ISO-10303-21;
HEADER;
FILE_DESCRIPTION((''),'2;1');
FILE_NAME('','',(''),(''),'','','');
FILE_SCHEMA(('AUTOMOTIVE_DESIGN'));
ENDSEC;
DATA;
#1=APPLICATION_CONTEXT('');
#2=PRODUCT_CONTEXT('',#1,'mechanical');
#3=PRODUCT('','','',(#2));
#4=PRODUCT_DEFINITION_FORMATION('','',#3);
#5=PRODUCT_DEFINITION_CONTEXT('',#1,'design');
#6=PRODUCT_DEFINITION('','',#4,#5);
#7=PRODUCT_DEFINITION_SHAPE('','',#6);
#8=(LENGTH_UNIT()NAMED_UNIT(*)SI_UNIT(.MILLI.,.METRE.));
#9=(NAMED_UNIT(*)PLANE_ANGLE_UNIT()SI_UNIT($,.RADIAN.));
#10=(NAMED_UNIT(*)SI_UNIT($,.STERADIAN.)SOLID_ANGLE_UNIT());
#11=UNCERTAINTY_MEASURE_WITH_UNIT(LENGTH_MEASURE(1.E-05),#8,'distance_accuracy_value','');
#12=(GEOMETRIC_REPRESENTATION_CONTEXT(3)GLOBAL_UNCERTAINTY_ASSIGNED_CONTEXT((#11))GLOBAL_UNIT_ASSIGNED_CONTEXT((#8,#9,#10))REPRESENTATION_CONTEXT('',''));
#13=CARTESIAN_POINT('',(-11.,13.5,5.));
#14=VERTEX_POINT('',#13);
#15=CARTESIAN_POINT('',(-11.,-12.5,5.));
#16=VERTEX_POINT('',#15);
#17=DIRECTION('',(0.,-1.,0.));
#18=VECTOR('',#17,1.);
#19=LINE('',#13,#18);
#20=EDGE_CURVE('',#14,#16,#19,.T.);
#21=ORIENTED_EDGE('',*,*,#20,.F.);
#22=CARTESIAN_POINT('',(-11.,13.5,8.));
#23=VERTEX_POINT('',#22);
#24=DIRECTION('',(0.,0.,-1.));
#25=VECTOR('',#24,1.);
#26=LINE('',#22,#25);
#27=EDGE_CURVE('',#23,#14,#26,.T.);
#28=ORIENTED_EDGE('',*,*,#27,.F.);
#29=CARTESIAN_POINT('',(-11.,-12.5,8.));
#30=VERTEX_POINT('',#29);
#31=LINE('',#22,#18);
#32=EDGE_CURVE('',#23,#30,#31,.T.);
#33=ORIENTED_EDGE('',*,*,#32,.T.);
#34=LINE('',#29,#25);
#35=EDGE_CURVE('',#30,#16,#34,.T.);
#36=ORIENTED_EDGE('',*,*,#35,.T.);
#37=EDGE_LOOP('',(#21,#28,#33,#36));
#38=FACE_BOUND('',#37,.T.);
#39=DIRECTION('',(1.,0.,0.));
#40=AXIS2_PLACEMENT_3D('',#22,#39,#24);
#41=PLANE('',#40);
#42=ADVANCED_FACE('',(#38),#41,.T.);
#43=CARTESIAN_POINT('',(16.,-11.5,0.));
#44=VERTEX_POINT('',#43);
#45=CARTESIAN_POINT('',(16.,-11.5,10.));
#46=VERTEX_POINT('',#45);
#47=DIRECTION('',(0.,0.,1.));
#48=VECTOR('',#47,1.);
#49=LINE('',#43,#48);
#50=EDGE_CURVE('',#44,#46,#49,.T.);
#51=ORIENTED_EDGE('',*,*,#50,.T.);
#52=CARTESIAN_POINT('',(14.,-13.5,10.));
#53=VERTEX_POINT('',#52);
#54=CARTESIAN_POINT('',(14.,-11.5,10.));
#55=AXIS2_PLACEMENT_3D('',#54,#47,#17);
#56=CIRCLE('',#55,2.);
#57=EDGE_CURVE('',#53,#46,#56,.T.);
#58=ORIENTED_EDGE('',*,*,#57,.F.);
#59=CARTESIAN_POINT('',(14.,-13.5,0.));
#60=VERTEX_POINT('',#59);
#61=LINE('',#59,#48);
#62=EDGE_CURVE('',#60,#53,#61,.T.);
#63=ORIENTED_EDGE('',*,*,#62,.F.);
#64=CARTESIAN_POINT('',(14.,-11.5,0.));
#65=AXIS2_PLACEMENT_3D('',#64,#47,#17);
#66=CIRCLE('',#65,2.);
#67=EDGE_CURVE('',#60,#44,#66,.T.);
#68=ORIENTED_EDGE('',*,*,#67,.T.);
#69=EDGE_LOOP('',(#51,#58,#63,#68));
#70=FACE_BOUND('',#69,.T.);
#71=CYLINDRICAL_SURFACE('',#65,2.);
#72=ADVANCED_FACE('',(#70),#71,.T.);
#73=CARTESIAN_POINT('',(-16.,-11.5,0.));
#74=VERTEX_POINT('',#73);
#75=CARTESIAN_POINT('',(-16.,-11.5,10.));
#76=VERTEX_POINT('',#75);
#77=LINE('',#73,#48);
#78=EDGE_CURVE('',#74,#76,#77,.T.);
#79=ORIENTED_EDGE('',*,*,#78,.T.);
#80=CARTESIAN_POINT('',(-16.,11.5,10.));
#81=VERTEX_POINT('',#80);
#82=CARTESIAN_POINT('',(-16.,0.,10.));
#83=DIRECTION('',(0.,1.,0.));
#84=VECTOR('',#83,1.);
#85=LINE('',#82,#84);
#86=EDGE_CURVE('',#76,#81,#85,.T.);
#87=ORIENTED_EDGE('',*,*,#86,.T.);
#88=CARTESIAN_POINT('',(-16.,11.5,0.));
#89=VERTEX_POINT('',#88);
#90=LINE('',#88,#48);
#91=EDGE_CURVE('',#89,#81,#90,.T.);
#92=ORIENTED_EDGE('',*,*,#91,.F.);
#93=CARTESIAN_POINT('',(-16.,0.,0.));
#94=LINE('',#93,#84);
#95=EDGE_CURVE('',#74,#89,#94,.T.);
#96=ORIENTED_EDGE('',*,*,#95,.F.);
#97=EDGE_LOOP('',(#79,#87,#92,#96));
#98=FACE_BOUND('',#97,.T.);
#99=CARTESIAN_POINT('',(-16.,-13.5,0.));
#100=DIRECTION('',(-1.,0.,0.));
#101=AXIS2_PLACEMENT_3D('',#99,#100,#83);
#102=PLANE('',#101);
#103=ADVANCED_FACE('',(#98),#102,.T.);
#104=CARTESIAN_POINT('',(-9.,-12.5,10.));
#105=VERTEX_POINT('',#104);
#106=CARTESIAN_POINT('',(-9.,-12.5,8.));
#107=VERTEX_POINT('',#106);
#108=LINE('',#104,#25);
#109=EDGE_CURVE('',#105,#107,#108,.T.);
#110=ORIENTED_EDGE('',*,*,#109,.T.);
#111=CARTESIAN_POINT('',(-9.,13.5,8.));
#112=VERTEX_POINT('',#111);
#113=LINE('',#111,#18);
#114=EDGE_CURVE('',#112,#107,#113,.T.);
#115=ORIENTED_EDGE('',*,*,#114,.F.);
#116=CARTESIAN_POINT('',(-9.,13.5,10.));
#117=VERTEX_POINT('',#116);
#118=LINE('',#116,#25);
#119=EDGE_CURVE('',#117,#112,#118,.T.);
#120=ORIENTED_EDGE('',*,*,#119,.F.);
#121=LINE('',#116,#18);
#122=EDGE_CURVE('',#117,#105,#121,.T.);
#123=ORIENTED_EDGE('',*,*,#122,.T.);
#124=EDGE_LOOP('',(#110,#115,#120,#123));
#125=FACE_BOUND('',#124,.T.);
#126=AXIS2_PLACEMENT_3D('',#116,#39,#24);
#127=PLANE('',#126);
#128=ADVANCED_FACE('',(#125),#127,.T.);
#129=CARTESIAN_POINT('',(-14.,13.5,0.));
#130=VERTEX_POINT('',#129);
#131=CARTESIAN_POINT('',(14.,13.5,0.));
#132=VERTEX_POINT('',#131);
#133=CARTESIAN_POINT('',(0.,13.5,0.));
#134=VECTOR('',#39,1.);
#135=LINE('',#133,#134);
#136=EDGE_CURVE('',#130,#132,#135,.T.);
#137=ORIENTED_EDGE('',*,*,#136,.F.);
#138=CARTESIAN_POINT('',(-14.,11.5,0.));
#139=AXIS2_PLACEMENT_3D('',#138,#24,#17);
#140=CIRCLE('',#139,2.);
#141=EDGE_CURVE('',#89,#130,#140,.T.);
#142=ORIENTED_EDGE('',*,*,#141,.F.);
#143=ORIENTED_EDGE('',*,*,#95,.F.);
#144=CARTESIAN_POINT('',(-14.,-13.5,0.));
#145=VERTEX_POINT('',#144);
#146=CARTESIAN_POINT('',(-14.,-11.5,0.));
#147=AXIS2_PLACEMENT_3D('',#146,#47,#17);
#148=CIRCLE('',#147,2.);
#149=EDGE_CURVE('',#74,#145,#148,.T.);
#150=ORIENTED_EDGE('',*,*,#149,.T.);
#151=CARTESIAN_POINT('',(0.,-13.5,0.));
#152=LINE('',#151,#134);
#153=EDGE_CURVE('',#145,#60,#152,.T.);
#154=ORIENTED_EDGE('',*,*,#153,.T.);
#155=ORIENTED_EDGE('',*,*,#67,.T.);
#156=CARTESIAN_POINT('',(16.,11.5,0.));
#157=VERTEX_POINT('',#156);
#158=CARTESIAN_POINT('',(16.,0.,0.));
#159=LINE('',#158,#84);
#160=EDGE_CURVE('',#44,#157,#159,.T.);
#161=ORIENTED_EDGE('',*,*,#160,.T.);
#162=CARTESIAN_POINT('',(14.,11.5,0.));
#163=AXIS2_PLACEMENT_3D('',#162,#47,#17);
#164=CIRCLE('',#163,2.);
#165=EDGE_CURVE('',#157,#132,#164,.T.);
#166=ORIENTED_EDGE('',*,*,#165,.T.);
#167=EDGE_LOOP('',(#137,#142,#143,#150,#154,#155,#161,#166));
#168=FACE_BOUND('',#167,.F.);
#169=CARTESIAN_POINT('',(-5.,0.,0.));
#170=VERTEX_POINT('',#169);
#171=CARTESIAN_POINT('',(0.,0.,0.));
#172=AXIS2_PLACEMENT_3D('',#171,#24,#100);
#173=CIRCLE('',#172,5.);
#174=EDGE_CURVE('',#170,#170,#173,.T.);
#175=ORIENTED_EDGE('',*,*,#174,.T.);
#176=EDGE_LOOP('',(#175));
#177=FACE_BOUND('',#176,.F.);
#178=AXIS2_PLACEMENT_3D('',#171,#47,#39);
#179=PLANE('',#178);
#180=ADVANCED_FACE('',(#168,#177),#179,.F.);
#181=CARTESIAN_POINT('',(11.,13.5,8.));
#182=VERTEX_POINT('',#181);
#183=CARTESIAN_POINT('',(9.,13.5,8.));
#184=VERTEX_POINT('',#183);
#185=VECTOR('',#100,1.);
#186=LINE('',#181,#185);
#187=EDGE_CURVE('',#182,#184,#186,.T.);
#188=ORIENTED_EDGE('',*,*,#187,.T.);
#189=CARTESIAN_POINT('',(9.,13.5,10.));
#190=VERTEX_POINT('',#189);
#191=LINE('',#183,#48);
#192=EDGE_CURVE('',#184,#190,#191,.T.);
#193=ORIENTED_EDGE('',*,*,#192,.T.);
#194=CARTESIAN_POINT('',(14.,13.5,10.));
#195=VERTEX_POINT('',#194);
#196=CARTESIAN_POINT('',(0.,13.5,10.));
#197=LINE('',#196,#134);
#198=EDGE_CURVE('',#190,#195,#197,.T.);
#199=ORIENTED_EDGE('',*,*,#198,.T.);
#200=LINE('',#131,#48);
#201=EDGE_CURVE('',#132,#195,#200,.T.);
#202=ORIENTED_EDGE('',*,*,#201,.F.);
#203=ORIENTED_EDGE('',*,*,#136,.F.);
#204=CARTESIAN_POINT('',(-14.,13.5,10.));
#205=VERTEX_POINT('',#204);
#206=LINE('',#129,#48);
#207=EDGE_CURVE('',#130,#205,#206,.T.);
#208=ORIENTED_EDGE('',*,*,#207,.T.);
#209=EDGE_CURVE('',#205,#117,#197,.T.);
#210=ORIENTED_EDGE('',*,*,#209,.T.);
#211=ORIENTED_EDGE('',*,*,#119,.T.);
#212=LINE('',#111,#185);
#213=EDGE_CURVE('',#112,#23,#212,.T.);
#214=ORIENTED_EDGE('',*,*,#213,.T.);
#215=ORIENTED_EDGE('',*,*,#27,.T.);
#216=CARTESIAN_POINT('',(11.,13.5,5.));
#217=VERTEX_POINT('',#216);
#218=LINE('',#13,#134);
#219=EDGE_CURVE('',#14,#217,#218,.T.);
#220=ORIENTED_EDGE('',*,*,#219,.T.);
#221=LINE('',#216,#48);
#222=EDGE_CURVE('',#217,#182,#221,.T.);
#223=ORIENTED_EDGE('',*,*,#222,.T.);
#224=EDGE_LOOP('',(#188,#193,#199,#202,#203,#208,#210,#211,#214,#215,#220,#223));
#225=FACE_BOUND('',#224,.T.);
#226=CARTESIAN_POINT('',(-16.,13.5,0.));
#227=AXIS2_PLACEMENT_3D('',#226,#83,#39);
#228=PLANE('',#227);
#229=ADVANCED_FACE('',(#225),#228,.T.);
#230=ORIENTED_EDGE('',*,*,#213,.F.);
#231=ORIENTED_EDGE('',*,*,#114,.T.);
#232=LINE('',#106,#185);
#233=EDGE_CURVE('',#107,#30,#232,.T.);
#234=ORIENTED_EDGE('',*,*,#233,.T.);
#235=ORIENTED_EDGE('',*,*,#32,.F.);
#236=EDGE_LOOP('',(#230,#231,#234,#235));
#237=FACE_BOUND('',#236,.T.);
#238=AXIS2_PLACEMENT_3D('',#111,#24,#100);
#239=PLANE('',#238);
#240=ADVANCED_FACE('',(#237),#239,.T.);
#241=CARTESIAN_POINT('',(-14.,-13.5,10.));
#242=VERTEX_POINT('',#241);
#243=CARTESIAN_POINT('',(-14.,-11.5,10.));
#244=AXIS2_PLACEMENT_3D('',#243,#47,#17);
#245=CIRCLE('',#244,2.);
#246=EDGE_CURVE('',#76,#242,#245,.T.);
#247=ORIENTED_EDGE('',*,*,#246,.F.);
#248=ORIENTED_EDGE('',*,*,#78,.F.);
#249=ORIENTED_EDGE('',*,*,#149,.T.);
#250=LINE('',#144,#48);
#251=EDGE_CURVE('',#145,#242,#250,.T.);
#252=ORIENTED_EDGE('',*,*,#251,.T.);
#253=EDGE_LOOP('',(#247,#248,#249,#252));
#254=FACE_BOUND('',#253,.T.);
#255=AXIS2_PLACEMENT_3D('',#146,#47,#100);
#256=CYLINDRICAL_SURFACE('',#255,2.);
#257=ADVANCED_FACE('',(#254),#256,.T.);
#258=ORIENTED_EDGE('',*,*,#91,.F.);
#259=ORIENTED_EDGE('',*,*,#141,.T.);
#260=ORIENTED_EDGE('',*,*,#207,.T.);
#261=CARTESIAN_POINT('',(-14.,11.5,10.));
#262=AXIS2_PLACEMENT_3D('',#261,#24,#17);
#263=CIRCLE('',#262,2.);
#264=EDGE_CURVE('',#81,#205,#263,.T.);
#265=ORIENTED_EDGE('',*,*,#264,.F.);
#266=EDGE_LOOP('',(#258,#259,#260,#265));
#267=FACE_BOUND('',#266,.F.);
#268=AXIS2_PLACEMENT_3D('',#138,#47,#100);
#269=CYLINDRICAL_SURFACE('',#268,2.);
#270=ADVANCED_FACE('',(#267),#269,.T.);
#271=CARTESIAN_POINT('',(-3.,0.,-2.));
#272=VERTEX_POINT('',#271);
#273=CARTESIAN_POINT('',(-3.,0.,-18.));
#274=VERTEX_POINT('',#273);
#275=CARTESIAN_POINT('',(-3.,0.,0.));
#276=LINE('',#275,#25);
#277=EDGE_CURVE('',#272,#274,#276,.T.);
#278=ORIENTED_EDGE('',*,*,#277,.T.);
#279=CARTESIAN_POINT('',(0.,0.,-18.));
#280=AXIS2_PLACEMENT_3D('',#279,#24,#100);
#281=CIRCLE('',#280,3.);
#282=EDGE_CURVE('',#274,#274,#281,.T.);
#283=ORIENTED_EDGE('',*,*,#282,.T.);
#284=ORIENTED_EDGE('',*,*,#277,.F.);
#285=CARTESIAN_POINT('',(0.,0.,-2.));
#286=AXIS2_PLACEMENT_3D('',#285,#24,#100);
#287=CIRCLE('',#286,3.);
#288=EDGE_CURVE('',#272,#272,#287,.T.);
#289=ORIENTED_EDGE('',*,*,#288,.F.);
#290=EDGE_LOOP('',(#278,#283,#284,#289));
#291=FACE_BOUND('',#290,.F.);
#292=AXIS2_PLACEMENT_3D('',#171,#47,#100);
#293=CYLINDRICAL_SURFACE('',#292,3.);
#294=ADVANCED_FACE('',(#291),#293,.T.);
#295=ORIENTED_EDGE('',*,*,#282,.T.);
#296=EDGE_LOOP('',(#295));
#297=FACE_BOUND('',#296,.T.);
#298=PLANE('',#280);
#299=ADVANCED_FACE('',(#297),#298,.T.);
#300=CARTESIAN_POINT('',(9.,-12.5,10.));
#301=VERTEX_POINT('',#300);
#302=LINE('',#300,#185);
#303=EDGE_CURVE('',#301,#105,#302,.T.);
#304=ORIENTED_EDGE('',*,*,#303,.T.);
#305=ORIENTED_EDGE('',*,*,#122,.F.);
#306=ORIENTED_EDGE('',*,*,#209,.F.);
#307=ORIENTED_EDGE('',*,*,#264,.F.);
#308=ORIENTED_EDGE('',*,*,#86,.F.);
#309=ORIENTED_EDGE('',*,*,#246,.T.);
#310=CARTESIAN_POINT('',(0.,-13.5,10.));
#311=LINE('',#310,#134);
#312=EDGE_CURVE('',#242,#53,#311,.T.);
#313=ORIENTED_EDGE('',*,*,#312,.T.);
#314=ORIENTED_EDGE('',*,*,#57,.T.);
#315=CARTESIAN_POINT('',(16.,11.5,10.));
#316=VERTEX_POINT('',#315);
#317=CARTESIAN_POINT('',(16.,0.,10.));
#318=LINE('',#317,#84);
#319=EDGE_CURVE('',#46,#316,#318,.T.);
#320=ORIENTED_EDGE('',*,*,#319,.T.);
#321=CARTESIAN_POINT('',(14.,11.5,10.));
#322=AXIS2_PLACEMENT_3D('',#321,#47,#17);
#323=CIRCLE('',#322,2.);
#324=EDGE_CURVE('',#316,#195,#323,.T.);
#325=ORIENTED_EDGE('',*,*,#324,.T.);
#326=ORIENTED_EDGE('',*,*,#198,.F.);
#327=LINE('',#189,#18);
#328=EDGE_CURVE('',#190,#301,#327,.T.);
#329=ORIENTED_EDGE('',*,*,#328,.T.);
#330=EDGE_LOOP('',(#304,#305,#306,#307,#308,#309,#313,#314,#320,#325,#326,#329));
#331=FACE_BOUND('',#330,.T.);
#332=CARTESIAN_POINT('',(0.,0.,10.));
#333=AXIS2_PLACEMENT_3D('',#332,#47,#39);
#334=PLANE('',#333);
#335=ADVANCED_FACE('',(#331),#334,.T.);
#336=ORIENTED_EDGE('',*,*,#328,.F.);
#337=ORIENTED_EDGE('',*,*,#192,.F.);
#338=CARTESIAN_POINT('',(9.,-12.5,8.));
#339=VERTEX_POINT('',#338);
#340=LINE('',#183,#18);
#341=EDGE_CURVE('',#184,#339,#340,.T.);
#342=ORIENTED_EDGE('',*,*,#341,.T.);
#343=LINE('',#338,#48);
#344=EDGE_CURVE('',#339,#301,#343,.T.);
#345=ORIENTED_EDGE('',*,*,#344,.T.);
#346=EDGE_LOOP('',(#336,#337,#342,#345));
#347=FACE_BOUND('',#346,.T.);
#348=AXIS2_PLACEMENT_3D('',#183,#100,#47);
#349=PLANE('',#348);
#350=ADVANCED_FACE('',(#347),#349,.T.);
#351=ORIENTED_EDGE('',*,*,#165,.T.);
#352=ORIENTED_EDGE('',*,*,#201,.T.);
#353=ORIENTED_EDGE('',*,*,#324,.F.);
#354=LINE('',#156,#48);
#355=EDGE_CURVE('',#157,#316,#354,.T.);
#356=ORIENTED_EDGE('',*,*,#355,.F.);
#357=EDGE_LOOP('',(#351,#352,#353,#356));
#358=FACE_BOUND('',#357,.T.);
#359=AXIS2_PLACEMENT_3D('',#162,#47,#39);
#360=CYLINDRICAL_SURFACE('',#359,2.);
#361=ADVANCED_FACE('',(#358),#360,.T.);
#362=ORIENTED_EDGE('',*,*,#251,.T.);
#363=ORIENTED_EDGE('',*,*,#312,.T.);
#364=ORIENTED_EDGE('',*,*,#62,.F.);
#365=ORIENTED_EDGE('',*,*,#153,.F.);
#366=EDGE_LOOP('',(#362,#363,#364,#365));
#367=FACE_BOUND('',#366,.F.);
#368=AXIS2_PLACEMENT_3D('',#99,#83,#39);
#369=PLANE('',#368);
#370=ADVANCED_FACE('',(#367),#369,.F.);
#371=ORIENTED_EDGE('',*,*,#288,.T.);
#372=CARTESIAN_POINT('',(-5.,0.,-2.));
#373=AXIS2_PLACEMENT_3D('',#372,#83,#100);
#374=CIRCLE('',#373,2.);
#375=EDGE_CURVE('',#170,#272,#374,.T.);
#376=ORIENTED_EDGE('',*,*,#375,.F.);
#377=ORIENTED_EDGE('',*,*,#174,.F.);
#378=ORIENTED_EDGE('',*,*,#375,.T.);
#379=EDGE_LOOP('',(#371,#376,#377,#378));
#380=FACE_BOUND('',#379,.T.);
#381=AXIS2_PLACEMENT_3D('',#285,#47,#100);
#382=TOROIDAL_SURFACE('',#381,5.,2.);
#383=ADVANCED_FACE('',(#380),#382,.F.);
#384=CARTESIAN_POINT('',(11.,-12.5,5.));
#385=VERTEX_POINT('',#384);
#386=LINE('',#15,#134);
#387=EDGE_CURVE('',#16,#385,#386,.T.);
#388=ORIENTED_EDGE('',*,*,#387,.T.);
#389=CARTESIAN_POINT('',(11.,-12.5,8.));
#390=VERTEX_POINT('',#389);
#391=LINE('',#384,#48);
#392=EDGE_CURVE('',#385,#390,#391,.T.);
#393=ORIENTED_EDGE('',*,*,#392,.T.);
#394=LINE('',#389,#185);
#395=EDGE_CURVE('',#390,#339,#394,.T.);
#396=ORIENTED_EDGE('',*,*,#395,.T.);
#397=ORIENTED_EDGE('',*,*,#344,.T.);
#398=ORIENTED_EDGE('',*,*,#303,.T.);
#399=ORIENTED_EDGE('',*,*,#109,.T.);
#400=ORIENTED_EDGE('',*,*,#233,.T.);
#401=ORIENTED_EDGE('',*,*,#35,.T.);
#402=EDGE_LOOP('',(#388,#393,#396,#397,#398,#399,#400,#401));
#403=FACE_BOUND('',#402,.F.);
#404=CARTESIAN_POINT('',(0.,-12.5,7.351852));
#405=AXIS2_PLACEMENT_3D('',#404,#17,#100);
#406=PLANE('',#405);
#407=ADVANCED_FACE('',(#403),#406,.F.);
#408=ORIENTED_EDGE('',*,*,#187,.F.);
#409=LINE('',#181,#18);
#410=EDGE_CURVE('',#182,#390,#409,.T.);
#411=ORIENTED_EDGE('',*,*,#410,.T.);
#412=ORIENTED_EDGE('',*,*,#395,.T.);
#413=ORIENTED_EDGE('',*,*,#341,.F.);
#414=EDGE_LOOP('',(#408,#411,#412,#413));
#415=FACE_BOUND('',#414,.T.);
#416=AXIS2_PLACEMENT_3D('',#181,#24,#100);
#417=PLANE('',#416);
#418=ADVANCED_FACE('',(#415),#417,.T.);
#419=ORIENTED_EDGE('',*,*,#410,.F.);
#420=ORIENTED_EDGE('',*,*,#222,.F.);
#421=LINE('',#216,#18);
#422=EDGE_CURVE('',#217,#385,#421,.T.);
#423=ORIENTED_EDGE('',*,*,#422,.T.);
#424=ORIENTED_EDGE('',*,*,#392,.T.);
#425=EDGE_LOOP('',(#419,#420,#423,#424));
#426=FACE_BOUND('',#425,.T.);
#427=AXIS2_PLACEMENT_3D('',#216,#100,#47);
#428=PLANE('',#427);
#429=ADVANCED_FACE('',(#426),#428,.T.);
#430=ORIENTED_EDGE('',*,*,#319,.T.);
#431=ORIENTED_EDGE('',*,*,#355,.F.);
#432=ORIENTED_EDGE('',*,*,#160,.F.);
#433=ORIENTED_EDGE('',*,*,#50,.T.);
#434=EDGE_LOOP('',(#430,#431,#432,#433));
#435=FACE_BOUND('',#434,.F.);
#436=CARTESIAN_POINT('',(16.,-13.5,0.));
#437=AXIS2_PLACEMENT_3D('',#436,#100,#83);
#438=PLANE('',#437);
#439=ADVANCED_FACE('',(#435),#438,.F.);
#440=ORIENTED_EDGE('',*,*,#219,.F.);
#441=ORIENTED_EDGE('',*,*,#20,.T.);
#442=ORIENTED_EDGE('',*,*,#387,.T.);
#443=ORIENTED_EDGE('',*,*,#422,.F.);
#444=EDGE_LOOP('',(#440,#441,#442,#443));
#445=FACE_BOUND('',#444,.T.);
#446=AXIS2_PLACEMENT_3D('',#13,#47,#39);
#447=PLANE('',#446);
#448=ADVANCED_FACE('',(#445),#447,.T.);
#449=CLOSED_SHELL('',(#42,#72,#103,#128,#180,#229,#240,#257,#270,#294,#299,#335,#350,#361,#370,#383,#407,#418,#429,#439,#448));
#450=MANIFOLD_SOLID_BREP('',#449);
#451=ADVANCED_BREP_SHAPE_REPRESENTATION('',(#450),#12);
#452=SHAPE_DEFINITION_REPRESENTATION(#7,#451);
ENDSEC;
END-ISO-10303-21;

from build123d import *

# Parameters (mm, degrees)
SKETCH1_W           = 32
SKETCH1_H           = 27
BOSS_EXTRUDE1_DEPTH = 10
FILLET1_R           = 2
CUT_EXTRUDE4_DEPTH  = 26
SKETCH4_R           = 3
BOSS_EXTRUDE2_DEPTH = 18
FILLET2_R           = 2


with BuildPart() as part:
    # Sketch1 → Boss-Extrude1 (new body)
    with BuildSketch(Plane.XY):
        Rectangle(SKETCH1_W, SKETCH1_H)
    extrude(amount=BOSS_EXTRUDE1_DEPTH)

    # Fillet1
    fillet1_edges = [part.edges().sort_by_distance(p)[0] for p in [
        (-16, -13.5, 5),
        (16, -13.5, 5),
        (16, 13.5, 5),
        (-16, 13.5, 5),
    ]]
    fillet(fillet1_edges, radius=FILLET1_R)

    # Sketch2 → Cut-Extrude4 (cut)
    with BuildSketch(Plane(origin=(0, 13.5, 0), x_dir=(1, 0, 0), z_dir=(0, 1, 0))):
        Polygon((-9, -10), (-9, -8), (-11, -8), (-11, -5), (11, -5), (11, -8), (9, -8), (9, -10), align=None)
    extrude(amount=-CUT_EXTRUDE4_DEPTH, mode=Mode.SUBTRACT)

    # Sketch4 → Boss-Extrude2 (add)
    with BuildSketch(Plane(origin=(0, 0, 0), x_dir=(-1, 0, 0), z_dir=(0, 0, -1))):
        Circle(SKETCH4_R)
    extrude(amount=BOSS_EXTRUDE2_DEPTH)

    # Fillet2
    fillet2_edges = [part.edges().sort_by_distance(p)[0] for p in [
        (3, 0, 0),
    ]]
    fillet(fillet2_edges, radius=FILLET2_R)


solid = part.part
